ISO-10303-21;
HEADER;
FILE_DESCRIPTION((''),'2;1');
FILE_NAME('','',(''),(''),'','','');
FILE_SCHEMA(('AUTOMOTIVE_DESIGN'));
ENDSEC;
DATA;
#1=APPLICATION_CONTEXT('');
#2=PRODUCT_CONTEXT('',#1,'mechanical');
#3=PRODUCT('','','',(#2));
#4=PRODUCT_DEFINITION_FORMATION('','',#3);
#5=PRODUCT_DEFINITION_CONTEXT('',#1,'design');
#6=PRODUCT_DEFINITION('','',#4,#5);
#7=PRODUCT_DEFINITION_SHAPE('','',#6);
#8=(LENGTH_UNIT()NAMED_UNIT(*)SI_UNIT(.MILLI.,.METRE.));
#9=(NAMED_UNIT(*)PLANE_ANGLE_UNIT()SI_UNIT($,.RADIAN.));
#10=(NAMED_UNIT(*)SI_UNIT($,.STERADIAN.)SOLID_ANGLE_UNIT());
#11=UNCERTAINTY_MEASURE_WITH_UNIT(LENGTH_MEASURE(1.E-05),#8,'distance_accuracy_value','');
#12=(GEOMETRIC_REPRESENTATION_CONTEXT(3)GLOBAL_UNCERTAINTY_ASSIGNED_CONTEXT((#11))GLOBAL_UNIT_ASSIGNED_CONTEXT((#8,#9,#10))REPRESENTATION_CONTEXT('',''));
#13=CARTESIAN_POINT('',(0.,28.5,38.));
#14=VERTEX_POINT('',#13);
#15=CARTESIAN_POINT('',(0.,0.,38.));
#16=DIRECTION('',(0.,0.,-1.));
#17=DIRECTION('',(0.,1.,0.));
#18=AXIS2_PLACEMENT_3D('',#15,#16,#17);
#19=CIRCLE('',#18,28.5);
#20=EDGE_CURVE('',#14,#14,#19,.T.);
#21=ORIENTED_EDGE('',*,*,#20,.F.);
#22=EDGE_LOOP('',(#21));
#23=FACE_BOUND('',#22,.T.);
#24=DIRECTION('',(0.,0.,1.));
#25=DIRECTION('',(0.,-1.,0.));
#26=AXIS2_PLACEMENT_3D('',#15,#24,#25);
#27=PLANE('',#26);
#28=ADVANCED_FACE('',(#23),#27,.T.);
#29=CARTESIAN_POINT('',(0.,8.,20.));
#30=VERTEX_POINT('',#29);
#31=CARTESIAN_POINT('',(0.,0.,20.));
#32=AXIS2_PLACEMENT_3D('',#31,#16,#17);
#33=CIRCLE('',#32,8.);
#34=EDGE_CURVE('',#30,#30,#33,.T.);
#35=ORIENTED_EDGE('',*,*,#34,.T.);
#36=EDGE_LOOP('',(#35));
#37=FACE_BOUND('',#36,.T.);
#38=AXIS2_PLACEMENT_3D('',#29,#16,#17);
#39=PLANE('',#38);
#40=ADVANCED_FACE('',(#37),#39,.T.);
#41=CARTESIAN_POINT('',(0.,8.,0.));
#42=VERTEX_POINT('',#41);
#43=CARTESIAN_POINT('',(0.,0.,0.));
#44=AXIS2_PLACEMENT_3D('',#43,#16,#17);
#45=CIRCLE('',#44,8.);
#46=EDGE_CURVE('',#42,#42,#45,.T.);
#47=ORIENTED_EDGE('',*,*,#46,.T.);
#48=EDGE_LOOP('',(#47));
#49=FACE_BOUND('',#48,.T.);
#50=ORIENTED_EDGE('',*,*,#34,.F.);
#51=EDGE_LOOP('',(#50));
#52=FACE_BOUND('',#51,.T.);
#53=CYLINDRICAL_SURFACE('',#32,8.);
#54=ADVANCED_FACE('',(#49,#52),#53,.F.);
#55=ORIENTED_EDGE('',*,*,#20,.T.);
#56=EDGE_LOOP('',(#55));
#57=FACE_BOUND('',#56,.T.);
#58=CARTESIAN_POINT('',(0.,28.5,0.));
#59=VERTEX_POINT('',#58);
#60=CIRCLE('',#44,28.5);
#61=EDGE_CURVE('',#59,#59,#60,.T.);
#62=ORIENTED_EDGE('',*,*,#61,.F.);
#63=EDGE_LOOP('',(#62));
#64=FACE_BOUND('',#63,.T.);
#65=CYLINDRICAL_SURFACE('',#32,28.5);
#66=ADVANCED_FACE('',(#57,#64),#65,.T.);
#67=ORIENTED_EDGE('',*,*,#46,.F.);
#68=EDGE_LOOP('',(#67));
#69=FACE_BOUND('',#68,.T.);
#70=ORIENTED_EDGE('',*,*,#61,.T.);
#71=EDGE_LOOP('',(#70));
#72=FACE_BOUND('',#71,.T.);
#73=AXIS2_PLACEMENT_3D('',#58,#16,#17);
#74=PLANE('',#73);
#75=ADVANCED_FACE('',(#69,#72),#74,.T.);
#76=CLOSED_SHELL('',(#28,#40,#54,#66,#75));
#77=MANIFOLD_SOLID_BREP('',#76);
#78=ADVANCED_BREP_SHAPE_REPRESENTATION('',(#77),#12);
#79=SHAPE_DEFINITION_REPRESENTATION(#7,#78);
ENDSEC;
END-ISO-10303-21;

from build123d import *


with BuildPart() as part:
    # Esquisse1 → Révolution1 (revolve)
    with BuildSketch(Plane(origin=(0, 0, 0), x_dir=(0, 0, -1), z_dir=(1, 0, 0))):
        Polygon((-38, 0), (-38, 28.5), (0, 28.5), (0, 8), (-20, 8), (-20, 0), align=None)
    revolve(axis=Axis((0, 0, 20), (0, 0, 1)))


solid = part.part
